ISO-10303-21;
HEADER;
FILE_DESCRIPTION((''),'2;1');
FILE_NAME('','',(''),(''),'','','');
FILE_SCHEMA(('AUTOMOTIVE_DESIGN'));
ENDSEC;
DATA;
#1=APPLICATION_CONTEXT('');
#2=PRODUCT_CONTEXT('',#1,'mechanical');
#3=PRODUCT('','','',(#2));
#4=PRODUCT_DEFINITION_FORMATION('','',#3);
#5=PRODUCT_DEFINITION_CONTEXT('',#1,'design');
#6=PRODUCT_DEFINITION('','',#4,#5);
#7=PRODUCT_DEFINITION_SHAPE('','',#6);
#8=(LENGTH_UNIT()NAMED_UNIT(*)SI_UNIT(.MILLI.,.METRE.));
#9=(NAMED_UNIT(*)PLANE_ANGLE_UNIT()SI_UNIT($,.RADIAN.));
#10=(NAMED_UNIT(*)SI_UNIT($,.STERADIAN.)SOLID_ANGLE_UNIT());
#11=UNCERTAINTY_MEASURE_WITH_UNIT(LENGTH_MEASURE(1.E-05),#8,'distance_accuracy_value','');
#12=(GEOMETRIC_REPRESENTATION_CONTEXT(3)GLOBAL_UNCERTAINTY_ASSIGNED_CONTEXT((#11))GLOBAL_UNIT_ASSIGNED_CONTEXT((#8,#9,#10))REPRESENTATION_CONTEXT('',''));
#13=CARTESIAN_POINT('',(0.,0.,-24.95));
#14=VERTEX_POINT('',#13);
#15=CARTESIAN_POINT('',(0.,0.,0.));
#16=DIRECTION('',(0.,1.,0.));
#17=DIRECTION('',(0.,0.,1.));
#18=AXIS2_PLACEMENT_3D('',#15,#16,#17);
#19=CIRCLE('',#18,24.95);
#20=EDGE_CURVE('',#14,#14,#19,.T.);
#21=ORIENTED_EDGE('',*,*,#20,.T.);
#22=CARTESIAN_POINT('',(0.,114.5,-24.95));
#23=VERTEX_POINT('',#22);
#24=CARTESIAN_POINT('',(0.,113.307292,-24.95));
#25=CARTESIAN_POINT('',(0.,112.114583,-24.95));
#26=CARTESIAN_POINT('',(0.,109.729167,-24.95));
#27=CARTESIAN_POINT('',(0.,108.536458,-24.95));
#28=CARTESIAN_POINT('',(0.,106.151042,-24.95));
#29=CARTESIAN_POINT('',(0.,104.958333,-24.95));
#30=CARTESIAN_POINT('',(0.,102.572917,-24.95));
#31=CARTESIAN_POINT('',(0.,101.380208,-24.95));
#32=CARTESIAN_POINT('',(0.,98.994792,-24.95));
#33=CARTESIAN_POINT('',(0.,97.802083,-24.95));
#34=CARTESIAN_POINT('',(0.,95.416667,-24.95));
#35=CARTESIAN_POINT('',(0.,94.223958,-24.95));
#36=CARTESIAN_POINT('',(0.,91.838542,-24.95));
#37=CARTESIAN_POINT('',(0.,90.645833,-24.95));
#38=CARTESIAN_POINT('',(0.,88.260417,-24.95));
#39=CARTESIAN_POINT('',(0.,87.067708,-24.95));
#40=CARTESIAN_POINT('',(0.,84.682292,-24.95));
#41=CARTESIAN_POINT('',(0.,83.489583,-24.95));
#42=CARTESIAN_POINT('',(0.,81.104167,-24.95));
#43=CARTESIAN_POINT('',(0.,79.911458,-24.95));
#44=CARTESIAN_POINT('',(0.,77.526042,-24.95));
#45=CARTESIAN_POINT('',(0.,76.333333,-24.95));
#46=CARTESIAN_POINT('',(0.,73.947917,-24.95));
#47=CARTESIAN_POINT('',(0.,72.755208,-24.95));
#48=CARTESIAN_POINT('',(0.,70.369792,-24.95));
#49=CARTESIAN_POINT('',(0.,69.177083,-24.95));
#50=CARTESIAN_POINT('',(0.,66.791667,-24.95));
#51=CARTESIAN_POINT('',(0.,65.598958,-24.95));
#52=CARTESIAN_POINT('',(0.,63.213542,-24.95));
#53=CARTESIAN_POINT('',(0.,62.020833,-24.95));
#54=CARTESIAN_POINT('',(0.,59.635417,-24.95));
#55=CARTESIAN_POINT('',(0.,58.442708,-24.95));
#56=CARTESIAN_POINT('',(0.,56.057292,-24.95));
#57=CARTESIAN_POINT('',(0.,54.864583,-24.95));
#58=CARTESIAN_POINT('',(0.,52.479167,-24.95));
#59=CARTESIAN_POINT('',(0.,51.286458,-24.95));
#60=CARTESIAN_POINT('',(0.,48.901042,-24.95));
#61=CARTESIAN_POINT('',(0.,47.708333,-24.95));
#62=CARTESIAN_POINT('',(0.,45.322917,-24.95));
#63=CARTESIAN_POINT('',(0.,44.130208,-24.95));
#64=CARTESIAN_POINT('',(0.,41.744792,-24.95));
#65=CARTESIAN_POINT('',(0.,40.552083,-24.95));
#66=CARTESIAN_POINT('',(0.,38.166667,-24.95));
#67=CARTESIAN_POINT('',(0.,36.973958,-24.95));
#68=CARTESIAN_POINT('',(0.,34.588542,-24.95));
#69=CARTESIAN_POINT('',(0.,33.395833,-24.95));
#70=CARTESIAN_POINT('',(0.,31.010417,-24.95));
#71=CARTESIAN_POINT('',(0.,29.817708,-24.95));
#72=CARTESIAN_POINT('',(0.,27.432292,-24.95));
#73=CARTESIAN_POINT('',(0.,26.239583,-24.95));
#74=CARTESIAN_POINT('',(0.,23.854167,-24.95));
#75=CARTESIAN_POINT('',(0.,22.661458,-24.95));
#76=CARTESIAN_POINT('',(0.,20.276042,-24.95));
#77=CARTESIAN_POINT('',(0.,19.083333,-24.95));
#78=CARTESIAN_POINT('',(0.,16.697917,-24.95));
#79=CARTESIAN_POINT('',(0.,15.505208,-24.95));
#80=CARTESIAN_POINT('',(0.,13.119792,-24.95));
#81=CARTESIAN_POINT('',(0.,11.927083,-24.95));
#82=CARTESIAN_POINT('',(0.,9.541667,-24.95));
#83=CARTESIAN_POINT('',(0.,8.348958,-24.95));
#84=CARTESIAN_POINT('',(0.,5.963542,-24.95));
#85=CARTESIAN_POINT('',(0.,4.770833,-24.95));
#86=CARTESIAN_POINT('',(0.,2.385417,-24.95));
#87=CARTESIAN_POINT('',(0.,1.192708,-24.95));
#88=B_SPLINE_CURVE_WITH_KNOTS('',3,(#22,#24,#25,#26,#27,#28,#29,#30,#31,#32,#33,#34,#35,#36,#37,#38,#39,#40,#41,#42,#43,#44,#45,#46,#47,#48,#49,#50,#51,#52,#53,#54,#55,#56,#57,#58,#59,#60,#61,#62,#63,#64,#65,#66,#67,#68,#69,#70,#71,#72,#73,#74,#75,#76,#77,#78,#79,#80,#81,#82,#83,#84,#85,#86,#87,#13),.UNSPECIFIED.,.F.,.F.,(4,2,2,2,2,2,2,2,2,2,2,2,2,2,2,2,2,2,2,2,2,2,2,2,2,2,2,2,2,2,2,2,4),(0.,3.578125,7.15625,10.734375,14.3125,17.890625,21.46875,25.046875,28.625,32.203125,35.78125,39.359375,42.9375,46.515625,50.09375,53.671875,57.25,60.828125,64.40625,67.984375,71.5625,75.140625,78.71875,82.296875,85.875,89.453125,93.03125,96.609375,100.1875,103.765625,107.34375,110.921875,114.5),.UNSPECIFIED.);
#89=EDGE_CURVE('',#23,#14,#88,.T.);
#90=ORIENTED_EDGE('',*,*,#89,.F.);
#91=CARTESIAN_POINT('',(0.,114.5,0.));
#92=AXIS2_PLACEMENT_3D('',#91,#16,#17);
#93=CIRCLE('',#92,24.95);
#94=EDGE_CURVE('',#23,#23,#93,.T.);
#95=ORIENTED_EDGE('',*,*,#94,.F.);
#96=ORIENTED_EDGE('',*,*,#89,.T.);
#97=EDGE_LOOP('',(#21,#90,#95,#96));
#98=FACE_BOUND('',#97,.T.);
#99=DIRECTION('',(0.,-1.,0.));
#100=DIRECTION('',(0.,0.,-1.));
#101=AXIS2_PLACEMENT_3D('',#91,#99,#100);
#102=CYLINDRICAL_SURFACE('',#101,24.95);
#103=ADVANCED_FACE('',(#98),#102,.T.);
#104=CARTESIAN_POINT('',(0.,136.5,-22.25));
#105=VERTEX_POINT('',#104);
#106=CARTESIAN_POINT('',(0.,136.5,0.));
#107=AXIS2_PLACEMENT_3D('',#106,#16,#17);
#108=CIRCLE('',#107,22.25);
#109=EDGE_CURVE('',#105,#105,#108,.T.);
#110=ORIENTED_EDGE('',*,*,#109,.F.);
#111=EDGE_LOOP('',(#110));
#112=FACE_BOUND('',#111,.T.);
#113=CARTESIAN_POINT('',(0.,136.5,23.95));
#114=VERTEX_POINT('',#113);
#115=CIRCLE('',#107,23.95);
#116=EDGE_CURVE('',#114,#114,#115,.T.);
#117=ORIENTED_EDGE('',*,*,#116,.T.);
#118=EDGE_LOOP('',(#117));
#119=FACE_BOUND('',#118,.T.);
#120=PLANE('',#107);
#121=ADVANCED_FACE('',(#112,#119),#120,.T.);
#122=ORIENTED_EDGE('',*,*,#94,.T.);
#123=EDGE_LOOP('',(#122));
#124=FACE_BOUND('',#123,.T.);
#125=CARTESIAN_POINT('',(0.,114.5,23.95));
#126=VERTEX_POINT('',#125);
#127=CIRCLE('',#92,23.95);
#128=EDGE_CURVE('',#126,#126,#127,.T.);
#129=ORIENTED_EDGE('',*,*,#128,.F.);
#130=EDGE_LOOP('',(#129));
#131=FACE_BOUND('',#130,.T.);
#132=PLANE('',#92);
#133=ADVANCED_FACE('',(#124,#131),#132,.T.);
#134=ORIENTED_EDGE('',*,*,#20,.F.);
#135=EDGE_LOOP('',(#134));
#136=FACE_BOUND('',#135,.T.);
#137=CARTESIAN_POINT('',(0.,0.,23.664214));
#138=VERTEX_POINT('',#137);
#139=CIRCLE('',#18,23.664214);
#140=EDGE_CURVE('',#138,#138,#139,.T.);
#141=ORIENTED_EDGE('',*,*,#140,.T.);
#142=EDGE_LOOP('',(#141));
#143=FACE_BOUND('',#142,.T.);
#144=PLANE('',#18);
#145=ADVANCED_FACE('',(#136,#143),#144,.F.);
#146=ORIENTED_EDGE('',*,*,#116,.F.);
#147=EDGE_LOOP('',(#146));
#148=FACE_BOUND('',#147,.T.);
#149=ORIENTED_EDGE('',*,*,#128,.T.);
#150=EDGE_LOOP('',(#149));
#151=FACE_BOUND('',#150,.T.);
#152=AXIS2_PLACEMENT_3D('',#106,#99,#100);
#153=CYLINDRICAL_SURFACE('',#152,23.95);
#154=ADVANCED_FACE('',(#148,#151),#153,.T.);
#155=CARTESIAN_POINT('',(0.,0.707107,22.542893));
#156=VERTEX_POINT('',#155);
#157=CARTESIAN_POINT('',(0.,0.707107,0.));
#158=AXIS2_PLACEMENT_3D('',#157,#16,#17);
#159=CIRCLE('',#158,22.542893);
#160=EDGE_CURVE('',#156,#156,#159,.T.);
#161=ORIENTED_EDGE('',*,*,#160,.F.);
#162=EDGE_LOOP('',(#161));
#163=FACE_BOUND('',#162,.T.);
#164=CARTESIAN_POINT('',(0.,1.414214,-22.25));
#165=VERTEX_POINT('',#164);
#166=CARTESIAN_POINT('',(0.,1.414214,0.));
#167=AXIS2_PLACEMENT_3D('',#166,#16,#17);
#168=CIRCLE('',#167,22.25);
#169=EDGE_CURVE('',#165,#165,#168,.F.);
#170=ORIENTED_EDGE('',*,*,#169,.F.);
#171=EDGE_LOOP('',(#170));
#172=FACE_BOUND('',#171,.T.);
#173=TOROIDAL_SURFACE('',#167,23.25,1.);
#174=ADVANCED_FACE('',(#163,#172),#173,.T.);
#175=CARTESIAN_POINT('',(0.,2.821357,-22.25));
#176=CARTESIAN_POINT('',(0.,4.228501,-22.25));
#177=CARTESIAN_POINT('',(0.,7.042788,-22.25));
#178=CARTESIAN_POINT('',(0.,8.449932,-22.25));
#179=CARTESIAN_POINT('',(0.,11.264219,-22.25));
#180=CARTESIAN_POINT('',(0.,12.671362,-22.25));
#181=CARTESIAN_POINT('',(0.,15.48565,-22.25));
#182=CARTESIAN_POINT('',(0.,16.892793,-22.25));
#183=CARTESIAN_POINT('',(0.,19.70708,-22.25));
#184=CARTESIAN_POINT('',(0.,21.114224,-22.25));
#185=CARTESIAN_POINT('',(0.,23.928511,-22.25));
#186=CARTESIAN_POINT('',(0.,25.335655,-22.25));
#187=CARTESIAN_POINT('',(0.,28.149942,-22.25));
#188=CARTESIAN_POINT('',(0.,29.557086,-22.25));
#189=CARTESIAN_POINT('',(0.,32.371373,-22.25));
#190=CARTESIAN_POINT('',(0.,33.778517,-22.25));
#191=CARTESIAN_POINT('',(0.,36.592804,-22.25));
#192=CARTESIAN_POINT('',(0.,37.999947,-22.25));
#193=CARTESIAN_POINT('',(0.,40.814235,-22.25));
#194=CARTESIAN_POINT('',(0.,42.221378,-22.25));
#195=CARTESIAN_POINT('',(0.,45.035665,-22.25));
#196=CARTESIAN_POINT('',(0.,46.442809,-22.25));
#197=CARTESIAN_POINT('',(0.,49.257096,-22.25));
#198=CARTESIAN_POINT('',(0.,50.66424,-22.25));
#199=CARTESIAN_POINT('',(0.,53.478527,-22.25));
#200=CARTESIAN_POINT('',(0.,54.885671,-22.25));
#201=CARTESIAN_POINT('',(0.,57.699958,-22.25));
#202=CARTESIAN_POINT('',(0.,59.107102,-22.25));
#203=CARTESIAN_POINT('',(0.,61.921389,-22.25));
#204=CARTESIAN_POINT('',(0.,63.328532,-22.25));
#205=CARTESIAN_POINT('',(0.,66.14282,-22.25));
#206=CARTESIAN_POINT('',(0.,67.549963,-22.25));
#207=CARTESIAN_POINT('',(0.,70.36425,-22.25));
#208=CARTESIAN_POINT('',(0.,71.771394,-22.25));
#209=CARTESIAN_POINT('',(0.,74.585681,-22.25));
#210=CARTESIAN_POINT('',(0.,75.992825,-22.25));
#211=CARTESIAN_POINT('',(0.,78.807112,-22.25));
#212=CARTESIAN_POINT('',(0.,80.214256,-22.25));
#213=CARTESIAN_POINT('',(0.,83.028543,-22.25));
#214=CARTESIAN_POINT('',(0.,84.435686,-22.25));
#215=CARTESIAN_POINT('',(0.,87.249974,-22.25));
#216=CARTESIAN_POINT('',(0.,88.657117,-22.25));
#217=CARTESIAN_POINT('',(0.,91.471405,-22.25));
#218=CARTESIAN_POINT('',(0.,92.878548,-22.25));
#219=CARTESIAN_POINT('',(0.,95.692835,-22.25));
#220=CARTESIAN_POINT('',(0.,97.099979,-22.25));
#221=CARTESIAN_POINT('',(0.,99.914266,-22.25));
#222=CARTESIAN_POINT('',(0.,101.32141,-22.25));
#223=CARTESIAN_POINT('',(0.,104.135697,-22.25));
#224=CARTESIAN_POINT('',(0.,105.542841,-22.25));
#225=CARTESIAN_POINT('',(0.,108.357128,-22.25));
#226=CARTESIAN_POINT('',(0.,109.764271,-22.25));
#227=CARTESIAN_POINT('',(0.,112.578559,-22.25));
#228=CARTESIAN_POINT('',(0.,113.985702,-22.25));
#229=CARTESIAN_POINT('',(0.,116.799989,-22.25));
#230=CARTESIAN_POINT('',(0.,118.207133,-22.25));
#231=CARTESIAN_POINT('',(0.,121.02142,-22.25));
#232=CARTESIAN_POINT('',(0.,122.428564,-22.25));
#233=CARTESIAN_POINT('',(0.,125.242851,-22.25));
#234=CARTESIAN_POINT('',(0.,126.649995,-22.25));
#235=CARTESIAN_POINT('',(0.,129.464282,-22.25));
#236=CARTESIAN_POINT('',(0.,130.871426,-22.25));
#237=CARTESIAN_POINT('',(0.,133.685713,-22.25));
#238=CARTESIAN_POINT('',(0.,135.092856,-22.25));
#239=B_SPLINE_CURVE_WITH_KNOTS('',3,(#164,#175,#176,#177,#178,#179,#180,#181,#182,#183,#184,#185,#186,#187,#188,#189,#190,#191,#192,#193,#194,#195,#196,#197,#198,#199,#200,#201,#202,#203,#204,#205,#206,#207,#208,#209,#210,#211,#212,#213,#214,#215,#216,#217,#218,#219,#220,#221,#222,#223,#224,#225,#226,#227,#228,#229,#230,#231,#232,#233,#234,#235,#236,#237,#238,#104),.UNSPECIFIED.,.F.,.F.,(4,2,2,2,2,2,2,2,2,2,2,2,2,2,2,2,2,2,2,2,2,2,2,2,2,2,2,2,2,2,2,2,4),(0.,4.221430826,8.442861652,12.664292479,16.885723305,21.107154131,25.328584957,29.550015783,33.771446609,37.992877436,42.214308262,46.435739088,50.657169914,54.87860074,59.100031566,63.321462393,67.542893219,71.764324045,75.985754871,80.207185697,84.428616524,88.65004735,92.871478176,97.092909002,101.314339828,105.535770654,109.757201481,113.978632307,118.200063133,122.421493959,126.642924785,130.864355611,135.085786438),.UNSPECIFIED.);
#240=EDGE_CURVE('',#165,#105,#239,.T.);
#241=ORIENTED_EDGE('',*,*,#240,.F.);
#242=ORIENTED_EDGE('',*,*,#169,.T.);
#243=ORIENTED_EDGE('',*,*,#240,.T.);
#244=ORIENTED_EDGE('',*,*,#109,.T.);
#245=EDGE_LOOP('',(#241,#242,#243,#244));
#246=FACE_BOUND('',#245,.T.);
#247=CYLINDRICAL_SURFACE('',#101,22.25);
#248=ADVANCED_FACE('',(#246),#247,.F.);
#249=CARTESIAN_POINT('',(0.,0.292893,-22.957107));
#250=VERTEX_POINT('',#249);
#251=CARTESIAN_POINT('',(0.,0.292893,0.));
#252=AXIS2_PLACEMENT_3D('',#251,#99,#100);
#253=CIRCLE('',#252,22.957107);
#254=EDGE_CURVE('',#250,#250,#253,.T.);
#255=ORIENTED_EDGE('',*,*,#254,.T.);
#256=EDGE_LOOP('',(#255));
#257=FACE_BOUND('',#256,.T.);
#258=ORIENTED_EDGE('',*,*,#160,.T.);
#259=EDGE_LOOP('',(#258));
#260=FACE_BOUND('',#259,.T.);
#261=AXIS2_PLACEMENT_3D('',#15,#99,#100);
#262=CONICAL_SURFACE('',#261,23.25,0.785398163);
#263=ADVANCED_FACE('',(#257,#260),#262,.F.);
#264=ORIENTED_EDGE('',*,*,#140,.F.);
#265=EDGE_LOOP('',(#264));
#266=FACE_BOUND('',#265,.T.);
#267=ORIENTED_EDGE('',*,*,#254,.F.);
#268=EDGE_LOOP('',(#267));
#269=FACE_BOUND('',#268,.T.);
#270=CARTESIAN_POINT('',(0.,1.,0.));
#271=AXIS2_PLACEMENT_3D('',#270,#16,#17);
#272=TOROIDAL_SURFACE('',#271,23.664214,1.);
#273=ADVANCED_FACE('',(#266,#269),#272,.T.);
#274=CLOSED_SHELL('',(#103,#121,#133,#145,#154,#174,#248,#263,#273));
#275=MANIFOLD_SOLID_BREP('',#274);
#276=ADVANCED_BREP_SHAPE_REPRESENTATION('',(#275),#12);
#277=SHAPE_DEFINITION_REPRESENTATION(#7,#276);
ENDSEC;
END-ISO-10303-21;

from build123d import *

# Parameters (mm, degrees)
SKETCH_1_R      = 24.95
SKETCH_1_R_2    = 22.25
EXTRUDE_1_DEPTH = 114.5
SKETCH_2_R      = 23.95
SKETCH_2_R_2    = 22.25
EXTRUDE_2_DEPTH = 22
CHAMFER_1_SIZE  = 1
FILLET_1_R      = 1


with BuildPart() as part:
    # 草图1 → 凸台-拉伸1 (new body)
    with BuildSketch(Plane(origin=(0, 0, 0), x_dir=(1, 0, 0), z_dir=(0, 1, 0))):
        with Locations(Location((0, 0, 0), (0, 0, 90))):
            Circle(SKETCH_1_R)
        with Locations(Location((0, 0, 0), (0, 0, 90))):
            Circle(SKETCH_1_R_2, mode=Mode.SUBTRACT)
    extrude(amount=EXTRUDE_1_DEPTH)

    # 草图2 → 凸台-拉伸2 (add)
    with BuildSketch(Plane(origin=(0, 114.5, 0), x_dir=(1, 0, 0), z_dir=(0, 1, 0))):
        with Locations(Location((0, 0, 0), (0, 0, 270))):
            Circle(SKETCH_2_R)
        with Locations(Location((0, 0, 0), (0, 0, 90))):
            Circle(SKETCH_2_R_2, mode=Mode.SUBTRACT)
    extrude(amount=EXTRUDE_2_DEPTH)

    # 倒角1
    chamfer_1_edges = [part.edges().sort_by_distance(p)[0] for p in [
        (0, 0, 22.25),
    ]]
    chamfer(chamfer_1_edges, length=CHAMFER_1_SIZE)

    # 圆角1
    fillet_1_edges = [part.edges().sort_by_distance(p)[0] for p in [
        (0, 0, 23.25),
        (0, 1, 22.25),
    ]]
    fillet(fillet_1_edges, radius=FILLET_1_R)


solid = part.part
